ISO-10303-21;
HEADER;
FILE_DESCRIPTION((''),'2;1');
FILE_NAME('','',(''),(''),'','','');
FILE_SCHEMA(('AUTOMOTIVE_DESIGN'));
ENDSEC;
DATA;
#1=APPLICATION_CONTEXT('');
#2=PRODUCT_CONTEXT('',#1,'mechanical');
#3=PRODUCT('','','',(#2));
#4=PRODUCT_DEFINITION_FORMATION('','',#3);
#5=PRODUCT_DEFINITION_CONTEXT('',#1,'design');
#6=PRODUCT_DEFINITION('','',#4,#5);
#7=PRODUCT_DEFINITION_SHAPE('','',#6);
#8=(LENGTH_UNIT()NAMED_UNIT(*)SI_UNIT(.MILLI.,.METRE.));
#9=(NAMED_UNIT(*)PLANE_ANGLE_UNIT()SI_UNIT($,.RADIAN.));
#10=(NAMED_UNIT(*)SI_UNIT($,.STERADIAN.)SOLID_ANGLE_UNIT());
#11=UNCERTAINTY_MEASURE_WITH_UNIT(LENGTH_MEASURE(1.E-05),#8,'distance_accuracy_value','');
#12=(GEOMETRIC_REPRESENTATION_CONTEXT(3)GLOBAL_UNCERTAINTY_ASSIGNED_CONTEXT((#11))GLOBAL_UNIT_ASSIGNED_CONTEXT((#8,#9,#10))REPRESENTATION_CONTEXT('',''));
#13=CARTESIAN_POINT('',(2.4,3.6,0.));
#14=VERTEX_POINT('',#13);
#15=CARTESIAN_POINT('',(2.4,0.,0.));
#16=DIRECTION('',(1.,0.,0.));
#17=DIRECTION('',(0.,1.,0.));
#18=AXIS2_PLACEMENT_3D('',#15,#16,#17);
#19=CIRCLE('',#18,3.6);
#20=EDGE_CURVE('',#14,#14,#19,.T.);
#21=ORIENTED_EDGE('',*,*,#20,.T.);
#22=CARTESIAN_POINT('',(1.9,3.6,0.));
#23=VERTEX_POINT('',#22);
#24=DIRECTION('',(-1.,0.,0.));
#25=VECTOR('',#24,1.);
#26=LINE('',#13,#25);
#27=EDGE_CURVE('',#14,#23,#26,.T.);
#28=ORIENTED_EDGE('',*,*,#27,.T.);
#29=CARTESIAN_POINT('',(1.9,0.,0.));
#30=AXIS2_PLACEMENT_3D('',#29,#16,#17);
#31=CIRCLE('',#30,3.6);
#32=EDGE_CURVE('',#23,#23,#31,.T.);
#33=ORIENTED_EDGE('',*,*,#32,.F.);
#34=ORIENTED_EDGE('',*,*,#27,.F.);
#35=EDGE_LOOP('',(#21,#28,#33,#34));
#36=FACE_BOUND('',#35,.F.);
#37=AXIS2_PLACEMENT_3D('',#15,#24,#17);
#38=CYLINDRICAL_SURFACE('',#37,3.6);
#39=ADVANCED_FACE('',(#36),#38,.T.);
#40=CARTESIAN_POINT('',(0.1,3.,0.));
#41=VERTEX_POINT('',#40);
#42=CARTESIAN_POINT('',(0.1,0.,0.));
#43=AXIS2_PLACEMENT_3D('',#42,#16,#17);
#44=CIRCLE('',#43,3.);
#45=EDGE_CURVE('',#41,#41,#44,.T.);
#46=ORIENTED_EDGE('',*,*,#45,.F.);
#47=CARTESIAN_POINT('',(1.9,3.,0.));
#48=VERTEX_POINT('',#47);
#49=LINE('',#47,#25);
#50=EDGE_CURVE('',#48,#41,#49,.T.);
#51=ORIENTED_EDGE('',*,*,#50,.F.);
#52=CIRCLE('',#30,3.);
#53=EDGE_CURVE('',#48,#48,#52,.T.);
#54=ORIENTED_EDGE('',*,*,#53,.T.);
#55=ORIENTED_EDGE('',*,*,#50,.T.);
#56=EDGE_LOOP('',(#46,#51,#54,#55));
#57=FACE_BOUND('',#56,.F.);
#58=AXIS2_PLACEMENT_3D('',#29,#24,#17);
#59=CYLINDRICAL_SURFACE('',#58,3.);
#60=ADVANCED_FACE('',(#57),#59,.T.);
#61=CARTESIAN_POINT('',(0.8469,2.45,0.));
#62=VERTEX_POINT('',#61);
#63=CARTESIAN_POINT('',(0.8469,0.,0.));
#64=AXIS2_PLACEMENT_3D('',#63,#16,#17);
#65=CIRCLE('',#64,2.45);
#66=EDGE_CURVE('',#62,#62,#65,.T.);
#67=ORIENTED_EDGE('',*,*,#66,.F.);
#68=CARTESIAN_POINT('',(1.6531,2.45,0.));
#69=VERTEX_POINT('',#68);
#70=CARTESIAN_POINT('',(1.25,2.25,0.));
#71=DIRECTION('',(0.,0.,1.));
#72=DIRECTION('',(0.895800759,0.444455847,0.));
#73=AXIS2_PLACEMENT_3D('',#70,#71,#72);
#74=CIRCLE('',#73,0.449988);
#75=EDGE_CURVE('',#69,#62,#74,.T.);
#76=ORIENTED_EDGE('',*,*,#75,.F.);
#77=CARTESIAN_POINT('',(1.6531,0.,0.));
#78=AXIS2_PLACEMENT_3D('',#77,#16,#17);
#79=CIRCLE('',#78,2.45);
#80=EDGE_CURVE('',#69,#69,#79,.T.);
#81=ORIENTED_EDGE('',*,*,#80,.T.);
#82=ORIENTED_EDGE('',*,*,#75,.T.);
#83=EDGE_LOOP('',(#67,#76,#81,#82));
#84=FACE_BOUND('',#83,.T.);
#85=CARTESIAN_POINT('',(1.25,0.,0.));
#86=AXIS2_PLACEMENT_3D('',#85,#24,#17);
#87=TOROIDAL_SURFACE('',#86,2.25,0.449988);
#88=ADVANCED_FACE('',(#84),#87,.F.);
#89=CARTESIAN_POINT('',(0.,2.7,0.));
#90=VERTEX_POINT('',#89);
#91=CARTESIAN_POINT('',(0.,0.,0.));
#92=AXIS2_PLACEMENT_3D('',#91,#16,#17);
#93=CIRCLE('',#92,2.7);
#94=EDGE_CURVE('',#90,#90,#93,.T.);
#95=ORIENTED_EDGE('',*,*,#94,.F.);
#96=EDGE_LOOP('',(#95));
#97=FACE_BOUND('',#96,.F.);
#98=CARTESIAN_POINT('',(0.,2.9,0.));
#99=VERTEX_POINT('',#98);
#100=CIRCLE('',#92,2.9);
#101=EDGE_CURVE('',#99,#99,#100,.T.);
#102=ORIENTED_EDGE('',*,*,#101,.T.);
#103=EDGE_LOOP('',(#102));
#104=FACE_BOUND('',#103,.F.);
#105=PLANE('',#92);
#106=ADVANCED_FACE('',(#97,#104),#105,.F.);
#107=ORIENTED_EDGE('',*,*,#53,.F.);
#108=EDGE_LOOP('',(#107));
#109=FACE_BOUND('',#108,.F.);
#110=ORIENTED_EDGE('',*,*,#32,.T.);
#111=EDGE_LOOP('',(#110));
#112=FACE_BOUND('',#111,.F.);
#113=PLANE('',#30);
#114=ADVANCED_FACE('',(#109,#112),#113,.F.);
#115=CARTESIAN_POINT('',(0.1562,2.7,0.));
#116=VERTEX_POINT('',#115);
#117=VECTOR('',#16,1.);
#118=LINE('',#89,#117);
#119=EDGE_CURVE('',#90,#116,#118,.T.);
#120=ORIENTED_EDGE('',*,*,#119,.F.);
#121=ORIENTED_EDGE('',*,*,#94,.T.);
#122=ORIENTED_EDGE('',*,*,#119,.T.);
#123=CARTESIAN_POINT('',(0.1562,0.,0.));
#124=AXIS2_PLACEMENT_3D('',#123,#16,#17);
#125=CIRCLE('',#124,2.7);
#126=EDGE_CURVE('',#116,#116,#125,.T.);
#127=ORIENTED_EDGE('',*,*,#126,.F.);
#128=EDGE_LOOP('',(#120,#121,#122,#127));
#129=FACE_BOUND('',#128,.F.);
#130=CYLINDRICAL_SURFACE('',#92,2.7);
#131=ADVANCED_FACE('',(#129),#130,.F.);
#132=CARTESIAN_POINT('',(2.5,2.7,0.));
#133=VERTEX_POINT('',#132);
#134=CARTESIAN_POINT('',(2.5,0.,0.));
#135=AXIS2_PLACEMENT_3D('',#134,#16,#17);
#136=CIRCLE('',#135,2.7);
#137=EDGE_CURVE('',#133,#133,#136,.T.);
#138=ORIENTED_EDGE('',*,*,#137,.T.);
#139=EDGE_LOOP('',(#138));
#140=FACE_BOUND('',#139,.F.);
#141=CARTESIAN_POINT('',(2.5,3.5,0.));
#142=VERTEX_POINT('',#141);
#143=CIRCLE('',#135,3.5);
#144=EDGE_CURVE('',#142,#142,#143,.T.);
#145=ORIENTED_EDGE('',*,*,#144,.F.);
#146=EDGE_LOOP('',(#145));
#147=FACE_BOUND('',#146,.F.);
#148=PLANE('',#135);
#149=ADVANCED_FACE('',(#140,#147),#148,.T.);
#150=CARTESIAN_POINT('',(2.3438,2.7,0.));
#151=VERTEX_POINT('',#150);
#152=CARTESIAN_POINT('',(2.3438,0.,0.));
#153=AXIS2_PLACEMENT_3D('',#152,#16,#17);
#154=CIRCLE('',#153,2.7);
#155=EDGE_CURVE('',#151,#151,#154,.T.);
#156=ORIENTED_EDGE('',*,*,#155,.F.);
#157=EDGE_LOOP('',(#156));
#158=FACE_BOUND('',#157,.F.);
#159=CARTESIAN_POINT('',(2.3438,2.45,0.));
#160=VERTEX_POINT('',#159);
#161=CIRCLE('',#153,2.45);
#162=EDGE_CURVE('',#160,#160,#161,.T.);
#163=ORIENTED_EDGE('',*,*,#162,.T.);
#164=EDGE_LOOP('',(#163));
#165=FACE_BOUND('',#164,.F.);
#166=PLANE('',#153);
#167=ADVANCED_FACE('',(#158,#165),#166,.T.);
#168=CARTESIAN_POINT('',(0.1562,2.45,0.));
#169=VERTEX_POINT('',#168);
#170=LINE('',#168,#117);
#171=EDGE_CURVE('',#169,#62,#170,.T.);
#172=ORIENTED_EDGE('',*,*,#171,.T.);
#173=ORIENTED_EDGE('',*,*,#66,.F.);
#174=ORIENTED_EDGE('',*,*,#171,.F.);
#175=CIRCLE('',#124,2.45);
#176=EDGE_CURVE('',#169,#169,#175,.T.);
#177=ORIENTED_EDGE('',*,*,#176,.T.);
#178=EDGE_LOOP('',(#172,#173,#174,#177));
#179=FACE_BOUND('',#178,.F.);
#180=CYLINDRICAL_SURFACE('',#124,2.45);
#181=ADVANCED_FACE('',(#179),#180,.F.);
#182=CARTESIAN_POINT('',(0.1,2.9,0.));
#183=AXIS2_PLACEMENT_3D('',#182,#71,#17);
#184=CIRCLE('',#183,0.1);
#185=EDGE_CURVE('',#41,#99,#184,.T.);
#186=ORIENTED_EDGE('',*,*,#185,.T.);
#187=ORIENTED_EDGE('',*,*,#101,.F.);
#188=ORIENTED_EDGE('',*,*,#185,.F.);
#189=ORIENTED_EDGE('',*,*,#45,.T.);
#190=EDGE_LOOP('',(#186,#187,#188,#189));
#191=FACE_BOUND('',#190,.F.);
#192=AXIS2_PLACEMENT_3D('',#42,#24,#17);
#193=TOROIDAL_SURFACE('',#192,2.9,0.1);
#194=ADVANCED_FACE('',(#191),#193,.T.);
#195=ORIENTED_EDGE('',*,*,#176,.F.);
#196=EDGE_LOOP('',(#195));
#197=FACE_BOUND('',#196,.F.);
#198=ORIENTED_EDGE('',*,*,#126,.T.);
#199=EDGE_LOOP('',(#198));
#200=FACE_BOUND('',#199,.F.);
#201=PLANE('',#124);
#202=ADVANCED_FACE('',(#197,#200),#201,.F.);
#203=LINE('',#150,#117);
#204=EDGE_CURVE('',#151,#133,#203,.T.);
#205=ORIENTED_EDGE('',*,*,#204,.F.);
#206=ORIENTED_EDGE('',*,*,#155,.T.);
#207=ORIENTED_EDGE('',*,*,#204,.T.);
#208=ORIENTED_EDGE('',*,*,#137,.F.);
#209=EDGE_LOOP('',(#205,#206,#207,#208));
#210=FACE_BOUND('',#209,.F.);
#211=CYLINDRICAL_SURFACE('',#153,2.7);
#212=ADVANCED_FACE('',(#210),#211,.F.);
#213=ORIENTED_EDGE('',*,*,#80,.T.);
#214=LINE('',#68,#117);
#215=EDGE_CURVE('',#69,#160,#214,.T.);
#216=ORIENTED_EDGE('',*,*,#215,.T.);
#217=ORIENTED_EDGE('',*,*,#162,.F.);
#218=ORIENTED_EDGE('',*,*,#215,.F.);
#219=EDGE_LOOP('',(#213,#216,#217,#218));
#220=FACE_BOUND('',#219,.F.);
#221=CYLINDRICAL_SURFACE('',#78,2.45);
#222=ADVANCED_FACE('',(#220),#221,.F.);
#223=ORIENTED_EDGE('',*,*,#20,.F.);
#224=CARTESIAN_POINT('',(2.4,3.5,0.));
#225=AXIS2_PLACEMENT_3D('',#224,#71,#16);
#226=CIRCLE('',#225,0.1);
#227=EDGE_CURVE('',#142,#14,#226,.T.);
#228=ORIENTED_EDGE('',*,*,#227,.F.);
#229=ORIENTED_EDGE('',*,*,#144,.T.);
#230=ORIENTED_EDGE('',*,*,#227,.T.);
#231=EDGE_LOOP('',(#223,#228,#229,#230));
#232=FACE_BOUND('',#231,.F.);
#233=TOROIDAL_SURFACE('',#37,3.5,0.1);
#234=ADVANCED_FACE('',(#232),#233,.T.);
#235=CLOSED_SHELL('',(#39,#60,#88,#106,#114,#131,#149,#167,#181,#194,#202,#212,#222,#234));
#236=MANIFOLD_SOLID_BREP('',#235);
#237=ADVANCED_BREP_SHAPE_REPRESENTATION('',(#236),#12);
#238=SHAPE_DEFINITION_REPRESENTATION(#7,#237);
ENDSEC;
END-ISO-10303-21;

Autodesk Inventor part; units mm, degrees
sketch "Sketch_1" plane through (0, 0, 0) normal (0, 0, 1) x (1, 0, 0)
  line L0 (2.5, 0) -> (0, 0)
  line L1 (0, 2.7) -> (0.1562, 2.7)
  line L2 (0.1562, 2.7) -> (0.1562, 2.45)
  line L3 (0.1562, 2.45) -> (0.8469, 2.45)
  arc A0 (1.6531, 2.45) -> (0.8469, 2.45) centre (1.25, 2.25) ccw
  line L4 (1.6531, 2.45) -> (2.3438, 2.45)
  line L5 (2.3438, 2.45) -> (2.3438, 2.7)
  line L6 (2.3438, 2.7) -> (2.5, 2.7)
  line L7 (2.5, 2.7) -> (2.5, 3.5)
  arc A1 (2.5, 3.5) -> (2.4, 3.6) centre (2.4, 3.5) ccw
  line L8 (2.4, 3.6) -> (1.9, 3.6)
  line L9 (1.9, 3.6) -> (1.9, 3)
  line L10 (1.9, 3) -> (0.1, 3)
  arc A2 (0.1, 3) -> (0, 2.9) centre (0.1, 2.9) ccw
  line L11 (0, 2.9) -> (0, 2.7)
revolve "Revolution1" add sketch "Sketch_1" angle 360 about axis through (2.5, 0, 0) along (1, 0, 0)
ref_plane "ip_st_1_XY" through (0, 0, 0) normal (1, 0, 0) x (0, 0, -1)
ref_plane "ip_st_1_YZ" through (0, 0, 0) normal (0, 0, -1) x (0, 1, 0)
ref_plane "ip_st_1_ZX" through (0, 0, 0) normal (0, 1, 0) x (1, 0, 0)
ref_plane "ip_st_2_XY" through (2.3438, 0, 0) normal (-1, 0, 0) x (0, 0, -1)
ref_plane "ip_st_2_YZ" through (2.3438, 0, 0) normal (0, 0, -1) x (0, -1, 0)
ref_plane "ip_st_2_ZX" through (2.3438, 0, 0) normal (0, -1, 0) x (-1, 0, 0)
properties part number "MF63ZZ Outer Ring"
